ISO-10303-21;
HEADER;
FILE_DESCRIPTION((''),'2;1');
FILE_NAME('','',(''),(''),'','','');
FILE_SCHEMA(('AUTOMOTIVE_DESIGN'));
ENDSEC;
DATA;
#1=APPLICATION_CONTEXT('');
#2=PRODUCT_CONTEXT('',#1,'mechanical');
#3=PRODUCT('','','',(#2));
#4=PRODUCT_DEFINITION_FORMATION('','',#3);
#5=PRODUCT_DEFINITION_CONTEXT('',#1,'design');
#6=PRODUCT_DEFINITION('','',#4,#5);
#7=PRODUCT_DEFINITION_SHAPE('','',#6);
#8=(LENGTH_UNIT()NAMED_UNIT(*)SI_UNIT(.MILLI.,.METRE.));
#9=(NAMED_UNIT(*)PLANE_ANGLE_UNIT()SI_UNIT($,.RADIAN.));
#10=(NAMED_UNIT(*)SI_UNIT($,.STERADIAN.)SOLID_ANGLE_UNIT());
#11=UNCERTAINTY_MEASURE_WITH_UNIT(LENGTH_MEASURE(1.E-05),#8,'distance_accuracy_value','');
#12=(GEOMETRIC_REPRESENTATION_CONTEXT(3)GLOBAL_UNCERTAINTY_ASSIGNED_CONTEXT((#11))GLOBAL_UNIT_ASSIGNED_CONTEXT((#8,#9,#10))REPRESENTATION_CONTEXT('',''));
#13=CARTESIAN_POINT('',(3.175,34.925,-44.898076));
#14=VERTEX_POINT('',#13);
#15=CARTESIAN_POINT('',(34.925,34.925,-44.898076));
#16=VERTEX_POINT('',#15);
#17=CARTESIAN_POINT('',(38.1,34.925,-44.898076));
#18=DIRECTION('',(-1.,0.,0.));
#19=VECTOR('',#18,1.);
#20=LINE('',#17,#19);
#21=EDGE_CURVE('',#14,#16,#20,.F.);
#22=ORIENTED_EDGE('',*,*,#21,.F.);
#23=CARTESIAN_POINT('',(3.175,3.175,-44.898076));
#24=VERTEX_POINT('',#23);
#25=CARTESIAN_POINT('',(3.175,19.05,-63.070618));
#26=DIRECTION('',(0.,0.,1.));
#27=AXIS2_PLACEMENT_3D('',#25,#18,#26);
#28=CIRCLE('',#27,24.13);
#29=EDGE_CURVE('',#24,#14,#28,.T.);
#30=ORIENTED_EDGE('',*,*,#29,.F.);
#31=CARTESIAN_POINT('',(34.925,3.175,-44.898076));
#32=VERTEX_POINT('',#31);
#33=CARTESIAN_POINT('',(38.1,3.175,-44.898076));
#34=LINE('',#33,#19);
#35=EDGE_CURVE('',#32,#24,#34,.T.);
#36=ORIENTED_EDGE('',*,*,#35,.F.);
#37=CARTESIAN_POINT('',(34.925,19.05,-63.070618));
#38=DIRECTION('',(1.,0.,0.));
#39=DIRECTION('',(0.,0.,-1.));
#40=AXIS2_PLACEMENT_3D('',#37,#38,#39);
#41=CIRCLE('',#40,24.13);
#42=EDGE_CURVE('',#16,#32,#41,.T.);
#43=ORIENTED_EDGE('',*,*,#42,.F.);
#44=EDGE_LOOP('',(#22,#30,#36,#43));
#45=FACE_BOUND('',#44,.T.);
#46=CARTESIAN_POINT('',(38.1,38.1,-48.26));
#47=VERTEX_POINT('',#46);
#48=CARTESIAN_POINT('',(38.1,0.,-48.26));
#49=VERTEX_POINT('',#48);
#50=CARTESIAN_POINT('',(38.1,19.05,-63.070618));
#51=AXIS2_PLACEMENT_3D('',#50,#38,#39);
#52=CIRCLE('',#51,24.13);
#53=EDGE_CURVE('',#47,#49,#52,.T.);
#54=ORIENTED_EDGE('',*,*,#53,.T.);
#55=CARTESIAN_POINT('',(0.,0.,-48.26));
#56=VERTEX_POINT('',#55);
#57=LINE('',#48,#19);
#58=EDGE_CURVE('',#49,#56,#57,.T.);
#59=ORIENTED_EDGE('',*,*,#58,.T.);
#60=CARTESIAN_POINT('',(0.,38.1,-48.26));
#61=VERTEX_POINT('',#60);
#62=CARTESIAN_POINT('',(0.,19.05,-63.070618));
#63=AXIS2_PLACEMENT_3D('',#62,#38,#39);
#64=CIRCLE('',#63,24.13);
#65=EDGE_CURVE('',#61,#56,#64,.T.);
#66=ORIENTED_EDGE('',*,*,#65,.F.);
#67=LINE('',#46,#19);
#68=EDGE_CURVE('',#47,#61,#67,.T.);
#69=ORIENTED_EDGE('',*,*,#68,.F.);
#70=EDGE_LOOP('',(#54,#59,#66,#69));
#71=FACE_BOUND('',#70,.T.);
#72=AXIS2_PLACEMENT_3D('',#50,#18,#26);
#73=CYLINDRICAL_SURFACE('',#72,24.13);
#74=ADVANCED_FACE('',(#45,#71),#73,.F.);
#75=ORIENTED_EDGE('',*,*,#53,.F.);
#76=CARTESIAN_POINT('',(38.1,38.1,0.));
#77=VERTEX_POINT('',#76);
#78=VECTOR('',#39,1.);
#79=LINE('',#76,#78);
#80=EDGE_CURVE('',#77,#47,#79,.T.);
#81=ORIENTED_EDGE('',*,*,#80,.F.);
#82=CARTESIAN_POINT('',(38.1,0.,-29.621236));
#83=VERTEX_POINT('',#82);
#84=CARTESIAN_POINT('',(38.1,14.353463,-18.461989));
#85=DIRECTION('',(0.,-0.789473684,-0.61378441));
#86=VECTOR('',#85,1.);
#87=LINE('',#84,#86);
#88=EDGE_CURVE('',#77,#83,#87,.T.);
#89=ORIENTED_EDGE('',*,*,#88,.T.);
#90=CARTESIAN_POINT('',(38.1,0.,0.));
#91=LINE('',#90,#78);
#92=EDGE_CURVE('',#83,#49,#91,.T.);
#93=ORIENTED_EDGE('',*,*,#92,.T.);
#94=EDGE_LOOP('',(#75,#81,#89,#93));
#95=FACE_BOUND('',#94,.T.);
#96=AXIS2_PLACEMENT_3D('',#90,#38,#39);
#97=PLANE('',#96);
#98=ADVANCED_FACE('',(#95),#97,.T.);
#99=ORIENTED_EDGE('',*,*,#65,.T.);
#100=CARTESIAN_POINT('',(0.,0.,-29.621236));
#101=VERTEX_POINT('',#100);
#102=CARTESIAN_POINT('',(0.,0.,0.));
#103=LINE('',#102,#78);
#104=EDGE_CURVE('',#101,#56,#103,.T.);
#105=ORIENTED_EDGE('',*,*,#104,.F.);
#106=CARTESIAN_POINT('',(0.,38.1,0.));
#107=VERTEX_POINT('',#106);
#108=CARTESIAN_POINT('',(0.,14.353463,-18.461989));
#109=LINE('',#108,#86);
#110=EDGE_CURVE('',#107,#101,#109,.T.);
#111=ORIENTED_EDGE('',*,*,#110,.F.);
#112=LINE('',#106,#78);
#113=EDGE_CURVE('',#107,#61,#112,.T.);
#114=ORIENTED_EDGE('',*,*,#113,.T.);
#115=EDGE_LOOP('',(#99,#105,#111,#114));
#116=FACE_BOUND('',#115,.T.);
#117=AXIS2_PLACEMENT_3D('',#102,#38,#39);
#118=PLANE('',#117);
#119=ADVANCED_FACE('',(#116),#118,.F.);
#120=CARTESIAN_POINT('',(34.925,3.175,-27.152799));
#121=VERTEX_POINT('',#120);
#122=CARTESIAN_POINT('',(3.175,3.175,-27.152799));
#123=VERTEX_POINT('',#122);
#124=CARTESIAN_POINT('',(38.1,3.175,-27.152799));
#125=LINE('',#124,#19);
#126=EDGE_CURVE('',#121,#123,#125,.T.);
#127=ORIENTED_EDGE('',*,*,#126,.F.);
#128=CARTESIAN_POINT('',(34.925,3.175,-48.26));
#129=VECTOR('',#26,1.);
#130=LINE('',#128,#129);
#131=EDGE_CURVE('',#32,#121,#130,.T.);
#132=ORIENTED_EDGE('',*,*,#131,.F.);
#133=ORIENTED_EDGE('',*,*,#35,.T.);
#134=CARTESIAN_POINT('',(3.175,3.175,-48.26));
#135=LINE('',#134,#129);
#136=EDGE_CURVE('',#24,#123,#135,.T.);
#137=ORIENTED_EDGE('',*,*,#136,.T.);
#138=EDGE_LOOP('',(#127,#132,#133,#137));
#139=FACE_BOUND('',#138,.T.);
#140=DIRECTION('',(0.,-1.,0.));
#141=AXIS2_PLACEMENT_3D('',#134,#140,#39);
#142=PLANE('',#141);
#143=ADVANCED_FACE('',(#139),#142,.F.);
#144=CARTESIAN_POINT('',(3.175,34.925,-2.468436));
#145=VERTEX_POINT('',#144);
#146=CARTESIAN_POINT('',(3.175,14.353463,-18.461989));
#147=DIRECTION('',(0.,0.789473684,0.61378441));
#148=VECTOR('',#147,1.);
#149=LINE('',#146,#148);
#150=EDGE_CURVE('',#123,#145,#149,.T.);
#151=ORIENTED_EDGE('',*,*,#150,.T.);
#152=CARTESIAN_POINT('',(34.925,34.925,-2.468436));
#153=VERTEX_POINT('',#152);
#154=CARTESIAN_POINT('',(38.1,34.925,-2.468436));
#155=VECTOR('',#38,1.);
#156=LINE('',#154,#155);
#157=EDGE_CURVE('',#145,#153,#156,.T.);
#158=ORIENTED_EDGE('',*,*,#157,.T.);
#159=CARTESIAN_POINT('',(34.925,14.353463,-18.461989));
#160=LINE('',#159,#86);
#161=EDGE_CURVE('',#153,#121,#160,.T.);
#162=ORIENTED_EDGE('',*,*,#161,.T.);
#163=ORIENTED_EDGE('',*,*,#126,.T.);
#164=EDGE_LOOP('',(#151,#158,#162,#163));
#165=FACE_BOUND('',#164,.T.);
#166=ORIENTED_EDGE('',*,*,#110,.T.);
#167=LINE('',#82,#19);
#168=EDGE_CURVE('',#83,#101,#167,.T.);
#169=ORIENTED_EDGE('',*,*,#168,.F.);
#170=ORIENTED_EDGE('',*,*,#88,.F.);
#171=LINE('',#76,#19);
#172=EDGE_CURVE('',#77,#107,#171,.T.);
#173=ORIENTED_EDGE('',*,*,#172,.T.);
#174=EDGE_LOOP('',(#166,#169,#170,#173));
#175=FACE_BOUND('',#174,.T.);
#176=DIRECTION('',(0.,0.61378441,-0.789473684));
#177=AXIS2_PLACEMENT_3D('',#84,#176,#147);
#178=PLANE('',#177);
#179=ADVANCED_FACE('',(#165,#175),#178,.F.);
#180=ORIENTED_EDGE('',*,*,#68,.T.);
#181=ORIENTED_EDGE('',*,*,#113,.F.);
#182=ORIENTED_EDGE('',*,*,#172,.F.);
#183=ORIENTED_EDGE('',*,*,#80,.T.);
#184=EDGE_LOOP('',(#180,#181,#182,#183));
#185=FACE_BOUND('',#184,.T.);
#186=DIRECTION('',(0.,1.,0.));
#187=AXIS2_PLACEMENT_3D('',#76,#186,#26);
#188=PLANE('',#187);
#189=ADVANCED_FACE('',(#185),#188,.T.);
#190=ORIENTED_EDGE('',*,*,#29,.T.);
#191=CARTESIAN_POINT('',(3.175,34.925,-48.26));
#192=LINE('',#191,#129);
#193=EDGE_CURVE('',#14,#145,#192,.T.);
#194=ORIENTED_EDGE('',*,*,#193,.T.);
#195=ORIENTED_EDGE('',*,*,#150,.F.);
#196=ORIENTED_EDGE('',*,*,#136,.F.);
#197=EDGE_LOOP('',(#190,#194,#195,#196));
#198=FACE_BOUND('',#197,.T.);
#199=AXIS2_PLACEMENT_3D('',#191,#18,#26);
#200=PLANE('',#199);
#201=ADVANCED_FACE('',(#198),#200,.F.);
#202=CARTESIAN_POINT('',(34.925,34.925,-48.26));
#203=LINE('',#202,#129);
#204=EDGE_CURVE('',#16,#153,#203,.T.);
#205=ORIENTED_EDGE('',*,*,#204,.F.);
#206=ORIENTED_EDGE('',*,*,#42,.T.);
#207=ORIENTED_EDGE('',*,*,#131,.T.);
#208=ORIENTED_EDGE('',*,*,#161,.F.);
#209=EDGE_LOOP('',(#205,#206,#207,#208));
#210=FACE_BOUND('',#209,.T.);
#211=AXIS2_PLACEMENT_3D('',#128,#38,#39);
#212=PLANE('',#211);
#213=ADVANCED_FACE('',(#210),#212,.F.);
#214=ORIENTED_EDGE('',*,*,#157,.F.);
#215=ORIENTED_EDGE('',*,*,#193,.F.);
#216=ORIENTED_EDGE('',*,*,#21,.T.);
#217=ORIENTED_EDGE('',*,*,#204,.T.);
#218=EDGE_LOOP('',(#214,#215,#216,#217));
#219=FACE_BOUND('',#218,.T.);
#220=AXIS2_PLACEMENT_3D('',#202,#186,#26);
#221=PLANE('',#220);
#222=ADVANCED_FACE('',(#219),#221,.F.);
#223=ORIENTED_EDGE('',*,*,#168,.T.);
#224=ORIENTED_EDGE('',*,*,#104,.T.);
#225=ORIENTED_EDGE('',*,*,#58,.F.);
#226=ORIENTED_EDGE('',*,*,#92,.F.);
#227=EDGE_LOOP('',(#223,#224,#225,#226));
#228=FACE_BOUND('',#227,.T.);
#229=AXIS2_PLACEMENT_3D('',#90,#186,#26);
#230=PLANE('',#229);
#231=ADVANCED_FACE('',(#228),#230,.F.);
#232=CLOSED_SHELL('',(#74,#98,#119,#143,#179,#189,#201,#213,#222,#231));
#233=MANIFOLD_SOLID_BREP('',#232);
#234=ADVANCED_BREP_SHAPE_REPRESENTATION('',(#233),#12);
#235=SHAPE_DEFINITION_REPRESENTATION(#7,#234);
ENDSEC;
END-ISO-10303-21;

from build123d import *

# Parameters (mm, degrees)
BOSS_EXTRUDE1_DEPTH = 38.1
SKETCH2_W           = 31.75
SKETCH2_H           = 31.75
CUT_EXTRUDE1_DEPTH  = 73.334276799


with BuildPart() as part:
    # Sketch1 → Boss-Extrude1 (new body)
    with BuildSketch(Plane(origin=(0, 0, 0), x_dir=(0, 0, -1), z_dir=(1, 0, 0))):
        with BuildLine():
            Line((48.26, 38.1), (0, 38.1))
            Line((0, 38.1), (29.621235626, 0))
            Line((29.621235626, 0), (48.26, 0))
            ThreePointArc((48.26, 0), (38.940617813, 19.05), (48.26, 38.1))
        make_face()
    extrude(amount=BOSS_EXTRUDE1_DEPTH)

    # Sketch2 → Cut-Extrude1 (cut, through all)
    with BuildSketch(Plane.XY):
        with Locations((19.05, 19.05)):
            Rectangle(SKETCH2_W, SKETCH2_H)
    extrude(amount=-CUT_EXTRUDE1_DEPTH, mode=Mode.SUBTRACT)


solid = part.part
